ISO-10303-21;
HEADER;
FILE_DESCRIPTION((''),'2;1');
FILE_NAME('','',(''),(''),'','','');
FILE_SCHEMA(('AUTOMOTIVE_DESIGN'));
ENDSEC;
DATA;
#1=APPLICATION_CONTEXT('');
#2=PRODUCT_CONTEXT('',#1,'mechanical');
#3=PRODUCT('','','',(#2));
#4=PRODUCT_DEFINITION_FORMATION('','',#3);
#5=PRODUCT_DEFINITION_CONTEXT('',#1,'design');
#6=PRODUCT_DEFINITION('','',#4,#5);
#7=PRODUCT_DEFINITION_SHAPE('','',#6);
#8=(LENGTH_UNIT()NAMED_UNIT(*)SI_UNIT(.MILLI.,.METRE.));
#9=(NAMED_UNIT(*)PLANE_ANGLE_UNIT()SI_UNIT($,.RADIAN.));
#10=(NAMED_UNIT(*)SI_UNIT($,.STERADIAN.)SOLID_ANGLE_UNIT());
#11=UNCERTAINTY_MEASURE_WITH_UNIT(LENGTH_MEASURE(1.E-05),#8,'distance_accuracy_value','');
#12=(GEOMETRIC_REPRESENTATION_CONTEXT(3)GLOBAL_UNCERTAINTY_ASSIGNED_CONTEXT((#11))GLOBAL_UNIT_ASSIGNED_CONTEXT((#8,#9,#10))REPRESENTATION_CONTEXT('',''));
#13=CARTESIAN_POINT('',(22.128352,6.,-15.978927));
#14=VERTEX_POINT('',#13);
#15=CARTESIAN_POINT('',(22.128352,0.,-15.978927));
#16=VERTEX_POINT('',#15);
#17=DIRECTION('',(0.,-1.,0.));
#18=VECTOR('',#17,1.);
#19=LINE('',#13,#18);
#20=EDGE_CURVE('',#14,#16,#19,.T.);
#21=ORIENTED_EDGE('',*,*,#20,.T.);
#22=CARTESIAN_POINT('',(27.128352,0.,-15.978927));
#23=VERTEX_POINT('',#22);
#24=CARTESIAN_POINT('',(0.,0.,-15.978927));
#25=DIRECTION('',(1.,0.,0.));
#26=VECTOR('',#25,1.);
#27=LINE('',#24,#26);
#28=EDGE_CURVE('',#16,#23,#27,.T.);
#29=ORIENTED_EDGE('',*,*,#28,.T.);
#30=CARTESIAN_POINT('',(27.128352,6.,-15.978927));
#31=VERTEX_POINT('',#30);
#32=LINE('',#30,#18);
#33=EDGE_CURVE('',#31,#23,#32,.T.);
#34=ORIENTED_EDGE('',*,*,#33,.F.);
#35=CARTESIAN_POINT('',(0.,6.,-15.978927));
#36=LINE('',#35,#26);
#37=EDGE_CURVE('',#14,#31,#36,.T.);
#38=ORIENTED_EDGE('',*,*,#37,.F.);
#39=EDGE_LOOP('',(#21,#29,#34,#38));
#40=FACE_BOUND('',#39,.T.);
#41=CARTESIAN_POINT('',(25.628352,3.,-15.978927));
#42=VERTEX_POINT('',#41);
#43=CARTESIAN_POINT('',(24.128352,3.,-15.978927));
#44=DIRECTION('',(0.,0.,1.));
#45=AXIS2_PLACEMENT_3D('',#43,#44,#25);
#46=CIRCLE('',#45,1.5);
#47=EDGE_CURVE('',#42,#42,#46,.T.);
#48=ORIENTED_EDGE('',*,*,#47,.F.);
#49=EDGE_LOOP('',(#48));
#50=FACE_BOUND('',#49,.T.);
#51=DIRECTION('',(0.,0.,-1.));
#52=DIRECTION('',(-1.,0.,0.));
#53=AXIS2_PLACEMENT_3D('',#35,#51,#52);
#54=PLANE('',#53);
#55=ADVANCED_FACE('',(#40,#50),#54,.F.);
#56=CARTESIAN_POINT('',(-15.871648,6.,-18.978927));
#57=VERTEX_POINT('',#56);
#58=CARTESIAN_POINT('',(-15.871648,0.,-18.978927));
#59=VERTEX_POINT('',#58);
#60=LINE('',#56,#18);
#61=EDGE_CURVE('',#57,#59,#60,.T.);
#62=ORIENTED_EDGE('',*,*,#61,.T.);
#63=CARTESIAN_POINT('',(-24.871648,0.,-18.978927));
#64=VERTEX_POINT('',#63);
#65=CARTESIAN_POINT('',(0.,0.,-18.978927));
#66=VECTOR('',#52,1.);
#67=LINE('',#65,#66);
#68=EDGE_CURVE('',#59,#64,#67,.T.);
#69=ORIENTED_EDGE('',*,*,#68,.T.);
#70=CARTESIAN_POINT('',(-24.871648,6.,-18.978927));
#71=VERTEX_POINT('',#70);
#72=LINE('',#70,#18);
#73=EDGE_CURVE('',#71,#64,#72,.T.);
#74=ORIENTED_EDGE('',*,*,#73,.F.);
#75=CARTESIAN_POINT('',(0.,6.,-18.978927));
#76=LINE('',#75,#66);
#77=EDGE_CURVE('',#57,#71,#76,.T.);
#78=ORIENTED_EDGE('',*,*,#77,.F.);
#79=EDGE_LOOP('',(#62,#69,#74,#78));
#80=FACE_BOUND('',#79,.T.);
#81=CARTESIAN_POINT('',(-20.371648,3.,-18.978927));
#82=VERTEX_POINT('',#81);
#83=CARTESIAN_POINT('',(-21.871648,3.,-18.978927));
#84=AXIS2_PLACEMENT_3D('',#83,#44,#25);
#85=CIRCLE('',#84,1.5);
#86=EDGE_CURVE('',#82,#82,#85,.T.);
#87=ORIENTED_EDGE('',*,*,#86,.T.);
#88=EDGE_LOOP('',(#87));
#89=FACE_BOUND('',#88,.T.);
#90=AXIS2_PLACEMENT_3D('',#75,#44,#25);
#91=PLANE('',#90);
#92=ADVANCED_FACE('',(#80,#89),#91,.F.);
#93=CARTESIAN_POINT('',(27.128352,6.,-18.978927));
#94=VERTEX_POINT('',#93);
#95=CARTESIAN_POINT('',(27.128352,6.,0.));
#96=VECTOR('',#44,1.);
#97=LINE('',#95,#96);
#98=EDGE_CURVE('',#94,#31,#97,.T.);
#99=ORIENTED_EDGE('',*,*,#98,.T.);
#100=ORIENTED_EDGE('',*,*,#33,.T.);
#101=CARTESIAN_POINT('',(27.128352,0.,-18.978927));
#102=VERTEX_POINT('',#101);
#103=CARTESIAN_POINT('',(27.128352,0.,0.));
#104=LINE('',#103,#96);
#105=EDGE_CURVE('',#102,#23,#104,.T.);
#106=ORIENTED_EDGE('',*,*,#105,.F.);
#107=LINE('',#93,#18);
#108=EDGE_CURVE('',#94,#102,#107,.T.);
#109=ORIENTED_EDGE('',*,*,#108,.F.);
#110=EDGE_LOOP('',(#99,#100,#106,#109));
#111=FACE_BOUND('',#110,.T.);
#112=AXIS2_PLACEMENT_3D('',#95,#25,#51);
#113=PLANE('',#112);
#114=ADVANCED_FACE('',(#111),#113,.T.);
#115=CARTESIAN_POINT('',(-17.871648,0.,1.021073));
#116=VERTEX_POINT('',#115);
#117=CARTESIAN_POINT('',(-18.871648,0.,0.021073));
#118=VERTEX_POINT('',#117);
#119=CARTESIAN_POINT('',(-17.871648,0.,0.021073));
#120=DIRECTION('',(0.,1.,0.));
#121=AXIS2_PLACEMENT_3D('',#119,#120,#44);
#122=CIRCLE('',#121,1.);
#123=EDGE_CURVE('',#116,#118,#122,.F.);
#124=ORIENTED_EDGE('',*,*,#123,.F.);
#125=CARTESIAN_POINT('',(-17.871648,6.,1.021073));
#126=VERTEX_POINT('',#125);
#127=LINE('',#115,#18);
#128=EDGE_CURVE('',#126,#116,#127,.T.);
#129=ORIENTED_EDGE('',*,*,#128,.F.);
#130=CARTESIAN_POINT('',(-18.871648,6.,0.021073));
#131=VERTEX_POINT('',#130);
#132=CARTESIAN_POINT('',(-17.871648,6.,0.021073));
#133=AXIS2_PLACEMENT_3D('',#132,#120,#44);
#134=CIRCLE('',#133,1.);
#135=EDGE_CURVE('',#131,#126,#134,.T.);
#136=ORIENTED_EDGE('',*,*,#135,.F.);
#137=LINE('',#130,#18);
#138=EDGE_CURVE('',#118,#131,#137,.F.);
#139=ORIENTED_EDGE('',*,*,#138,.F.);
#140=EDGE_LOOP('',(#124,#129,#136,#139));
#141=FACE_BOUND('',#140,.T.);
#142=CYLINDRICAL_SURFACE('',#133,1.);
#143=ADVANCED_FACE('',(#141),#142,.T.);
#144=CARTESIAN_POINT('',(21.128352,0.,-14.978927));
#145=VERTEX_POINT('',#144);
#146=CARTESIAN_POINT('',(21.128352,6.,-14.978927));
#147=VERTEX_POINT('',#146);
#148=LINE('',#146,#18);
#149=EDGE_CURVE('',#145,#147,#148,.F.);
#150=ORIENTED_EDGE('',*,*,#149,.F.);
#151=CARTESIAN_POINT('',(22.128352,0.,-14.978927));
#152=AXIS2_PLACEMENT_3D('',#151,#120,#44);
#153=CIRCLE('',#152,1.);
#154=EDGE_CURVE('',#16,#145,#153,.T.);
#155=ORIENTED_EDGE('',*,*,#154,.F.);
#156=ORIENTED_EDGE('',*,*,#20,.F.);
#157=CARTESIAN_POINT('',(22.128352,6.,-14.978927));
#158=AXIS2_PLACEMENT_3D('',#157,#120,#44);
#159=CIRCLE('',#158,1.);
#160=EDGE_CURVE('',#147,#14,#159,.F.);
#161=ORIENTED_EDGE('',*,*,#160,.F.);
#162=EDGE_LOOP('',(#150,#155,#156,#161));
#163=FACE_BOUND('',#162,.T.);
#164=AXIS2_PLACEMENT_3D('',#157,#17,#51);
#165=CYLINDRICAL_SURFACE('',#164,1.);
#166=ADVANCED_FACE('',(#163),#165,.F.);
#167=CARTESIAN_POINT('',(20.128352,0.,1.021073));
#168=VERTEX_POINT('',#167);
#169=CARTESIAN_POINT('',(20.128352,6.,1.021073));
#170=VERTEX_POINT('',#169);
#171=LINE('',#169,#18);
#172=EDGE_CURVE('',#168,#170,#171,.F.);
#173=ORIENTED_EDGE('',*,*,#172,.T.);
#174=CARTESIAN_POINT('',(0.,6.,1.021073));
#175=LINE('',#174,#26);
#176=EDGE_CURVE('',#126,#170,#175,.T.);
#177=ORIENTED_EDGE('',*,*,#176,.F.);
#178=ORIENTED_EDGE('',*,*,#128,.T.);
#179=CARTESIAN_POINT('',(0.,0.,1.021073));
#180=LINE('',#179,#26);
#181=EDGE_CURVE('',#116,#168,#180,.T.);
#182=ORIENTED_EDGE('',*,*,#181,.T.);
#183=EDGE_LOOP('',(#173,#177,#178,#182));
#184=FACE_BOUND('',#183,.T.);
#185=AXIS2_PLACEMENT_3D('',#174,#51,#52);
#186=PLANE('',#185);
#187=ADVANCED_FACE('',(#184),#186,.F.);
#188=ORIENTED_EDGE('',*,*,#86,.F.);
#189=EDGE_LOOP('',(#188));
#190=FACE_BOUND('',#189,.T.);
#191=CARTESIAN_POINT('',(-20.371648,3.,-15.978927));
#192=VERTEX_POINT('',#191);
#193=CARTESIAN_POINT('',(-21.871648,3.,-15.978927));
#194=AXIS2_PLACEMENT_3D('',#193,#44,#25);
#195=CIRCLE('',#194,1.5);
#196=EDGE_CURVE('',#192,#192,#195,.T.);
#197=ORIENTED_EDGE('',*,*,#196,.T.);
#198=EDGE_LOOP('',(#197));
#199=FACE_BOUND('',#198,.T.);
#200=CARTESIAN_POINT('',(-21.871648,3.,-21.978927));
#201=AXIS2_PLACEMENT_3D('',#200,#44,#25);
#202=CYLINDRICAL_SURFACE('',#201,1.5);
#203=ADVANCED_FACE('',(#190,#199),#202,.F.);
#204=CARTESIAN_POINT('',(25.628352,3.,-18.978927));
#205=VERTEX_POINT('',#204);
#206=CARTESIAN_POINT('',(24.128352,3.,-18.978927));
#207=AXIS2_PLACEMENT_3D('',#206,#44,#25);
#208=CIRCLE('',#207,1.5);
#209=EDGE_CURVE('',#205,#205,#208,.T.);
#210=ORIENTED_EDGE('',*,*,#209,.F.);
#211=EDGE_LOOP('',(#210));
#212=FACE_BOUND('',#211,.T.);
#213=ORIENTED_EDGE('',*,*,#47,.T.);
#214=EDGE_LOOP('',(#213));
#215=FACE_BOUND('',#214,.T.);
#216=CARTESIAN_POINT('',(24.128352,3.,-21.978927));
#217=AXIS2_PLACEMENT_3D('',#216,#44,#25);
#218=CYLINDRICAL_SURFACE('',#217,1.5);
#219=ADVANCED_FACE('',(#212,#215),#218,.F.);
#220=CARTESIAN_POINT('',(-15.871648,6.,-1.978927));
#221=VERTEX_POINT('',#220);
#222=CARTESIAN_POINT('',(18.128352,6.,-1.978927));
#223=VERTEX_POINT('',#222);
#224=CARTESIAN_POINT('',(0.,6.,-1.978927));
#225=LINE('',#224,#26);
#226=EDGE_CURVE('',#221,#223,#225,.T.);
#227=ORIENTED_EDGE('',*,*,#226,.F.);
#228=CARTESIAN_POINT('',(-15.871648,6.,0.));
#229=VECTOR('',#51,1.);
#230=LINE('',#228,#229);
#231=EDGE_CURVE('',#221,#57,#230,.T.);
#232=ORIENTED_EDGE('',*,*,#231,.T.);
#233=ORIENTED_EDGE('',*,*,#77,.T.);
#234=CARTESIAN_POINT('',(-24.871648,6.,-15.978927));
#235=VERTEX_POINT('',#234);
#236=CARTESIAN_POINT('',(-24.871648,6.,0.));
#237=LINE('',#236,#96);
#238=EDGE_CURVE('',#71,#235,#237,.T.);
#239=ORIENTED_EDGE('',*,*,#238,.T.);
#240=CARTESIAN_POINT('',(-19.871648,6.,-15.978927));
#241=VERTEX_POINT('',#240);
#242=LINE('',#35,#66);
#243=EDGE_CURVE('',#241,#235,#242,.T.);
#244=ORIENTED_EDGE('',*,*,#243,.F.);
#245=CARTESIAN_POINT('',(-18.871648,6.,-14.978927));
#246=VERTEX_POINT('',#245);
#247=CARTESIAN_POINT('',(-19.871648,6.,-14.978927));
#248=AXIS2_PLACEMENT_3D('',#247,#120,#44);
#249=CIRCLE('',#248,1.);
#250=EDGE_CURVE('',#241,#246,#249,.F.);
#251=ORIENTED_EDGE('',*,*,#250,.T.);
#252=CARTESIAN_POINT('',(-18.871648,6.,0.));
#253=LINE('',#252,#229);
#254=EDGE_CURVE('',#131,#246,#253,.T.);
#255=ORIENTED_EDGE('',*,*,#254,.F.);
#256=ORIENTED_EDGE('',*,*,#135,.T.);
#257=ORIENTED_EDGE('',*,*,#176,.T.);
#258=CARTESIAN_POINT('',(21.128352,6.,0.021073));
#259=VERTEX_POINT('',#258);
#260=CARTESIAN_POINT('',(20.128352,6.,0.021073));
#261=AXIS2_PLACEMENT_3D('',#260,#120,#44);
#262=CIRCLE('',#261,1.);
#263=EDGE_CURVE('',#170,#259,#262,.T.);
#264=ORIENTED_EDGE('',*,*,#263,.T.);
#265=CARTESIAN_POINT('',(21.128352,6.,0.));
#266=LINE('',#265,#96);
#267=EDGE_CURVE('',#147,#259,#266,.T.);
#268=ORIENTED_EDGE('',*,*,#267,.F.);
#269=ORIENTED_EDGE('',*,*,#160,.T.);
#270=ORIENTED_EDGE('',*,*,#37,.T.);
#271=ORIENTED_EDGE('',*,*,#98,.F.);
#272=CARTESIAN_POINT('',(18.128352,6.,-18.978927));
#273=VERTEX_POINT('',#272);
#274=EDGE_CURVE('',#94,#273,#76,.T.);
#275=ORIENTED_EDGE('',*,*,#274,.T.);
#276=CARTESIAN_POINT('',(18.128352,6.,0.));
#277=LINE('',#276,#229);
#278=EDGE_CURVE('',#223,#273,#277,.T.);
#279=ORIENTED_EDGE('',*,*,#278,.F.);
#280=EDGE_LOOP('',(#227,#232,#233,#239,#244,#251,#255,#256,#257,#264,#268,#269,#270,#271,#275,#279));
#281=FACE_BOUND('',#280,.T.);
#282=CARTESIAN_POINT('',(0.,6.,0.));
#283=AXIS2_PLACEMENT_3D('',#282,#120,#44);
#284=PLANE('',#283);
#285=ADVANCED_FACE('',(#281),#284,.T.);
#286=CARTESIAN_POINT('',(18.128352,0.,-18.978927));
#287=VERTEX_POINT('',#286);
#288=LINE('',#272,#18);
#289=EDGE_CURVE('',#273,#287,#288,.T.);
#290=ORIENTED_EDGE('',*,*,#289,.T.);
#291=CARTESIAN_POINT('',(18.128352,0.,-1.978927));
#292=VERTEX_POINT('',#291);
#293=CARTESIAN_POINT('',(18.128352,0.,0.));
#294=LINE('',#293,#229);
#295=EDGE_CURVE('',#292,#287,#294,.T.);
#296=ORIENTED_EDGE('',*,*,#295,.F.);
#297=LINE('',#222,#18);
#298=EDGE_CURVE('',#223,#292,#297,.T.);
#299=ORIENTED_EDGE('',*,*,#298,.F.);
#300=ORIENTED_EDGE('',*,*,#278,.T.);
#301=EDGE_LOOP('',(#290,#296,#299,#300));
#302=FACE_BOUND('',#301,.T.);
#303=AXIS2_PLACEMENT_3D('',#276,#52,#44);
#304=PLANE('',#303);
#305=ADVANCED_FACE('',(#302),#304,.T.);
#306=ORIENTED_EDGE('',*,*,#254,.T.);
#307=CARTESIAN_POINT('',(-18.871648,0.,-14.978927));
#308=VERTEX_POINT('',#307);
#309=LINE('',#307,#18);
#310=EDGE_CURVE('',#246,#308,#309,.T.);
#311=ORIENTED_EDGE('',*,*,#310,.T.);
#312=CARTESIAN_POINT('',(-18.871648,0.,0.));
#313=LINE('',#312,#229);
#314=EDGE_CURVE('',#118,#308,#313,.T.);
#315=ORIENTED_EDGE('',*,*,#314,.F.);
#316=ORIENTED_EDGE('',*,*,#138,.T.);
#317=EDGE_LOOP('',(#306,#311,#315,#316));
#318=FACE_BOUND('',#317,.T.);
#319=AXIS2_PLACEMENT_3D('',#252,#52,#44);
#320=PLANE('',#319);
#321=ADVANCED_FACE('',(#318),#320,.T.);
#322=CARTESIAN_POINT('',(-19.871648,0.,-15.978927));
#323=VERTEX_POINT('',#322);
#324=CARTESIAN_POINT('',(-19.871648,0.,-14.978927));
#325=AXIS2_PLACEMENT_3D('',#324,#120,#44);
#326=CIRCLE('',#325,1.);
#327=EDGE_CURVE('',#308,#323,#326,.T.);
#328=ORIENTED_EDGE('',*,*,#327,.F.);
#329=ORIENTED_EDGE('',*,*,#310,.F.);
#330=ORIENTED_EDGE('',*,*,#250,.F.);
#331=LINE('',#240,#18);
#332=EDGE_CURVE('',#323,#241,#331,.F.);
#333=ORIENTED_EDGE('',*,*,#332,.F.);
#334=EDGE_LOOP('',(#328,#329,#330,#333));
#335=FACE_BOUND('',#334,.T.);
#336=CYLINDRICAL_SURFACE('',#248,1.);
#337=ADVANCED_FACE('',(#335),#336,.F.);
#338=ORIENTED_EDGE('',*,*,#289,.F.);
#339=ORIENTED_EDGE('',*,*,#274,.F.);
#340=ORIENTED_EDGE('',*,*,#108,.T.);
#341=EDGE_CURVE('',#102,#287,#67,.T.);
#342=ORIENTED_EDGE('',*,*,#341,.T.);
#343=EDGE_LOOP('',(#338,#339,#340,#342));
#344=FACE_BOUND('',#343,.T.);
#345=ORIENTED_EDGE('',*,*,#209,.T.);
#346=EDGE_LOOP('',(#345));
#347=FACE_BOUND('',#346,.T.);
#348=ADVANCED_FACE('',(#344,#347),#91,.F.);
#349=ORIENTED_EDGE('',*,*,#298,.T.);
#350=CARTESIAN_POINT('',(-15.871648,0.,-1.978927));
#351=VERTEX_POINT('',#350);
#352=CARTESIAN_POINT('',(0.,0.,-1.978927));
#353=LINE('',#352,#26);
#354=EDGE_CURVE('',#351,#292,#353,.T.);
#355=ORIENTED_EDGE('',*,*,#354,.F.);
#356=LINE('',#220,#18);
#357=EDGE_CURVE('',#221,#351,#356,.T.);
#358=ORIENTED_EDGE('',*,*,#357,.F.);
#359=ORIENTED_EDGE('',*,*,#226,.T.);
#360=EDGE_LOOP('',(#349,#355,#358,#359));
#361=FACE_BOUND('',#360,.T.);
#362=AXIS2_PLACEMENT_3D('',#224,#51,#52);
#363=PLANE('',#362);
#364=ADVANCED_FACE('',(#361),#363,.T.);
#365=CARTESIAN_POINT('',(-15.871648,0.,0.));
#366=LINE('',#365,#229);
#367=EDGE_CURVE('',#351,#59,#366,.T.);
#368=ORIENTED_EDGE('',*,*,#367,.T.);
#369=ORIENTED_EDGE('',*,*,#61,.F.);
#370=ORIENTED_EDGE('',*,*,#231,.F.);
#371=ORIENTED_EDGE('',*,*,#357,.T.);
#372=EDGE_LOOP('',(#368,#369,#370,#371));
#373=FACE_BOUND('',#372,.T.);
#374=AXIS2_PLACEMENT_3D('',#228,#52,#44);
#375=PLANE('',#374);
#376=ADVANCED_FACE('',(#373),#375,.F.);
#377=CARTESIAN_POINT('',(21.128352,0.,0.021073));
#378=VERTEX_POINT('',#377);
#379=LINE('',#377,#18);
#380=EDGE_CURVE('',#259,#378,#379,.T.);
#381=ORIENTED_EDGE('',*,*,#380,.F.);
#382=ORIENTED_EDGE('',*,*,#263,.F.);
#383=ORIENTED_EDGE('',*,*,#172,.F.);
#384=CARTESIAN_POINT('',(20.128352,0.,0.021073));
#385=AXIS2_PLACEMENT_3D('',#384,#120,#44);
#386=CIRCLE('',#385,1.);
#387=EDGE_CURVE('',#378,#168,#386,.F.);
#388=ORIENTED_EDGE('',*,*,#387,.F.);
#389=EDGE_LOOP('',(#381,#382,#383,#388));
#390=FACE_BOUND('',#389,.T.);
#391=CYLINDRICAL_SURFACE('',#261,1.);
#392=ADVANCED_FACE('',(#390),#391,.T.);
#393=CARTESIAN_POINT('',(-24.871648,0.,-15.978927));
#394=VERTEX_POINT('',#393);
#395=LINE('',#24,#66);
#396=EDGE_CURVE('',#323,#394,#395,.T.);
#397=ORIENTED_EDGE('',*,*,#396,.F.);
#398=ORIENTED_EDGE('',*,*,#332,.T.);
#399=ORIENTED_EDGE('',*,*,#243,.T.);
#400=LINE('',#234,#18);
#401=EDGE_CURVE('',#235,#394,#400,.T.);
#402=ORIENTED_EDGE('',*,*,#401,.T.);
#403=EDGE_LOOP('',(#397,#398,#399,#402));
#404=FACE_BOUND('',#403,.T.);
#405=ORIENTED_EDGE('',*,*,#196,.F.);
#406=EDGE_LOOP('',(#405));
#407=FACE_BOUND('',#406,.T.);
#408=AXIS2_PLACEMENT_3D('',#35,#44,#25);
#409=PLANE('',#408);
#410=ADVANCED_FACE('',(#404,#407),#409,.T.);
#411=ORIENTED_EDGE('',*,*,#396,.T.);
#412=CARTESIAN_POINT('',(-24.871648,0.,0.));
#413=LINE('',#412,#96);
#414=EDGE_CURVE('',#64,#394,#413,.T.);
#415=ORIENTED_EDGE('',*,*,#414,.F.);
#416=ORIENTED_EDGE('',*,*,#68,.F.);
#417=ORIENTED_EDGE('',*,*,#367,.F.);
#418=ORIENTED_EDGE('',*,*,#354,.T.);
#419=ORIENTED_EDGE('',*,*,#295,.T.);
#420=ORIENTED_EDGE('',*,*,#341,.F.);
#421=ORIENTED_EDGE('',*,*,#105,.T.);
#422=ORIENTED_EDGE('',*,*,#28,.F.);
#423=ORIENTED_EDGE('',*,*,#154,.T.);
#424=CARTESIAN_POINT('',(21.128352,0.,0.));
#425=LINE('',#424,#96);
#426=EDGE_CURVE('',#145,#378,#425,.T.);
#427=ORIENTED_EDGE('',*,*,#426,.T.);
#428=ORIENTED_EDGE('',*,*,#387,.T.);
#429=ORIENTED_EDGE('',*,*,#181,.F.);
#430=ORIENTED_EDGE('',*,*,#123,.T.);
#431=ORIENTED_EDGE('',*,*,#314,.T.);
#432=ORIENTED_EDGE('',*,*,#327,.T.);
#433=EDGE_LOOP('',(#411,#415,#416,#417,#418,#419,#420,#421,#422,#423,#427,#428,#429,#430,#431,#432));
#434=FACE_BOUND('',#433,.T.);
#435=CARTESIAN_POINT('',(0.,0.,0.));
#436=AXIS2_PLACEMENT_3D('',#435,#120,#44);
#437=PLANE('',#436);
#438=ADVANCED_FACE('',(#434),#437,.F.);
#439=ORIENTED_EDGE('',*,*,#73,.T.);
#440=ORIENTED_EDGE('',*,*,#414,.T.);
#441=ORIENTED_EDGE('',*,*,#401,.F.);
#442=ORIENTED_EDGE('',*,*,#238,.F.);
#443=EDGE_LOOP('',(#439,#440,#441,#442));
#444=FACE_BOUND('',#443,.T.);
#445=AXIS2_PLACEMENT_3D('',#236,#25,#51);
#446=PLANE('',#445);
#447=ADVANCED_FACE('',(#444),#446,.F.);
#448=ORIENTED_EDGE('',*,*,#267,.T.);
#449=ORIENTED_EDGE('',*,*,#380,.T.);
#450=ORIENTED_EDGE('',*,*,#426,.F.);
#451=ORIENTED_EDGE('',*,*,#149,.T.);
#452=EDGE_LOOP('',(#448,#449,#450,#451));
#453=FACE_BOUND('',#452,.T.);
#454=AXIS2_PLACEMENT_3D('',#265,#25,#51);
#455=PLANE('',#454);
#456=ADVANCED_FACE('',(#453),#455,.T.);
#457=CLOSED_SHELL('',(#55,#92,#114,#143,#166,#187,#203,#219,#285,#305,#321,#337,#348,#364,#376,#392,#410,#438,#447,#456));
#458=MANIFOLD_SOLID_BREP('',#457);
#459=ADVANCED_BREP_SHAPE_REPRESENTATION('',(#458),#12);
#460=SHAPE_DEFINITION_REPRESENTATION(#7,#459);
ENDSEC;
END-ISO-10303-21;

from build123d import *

# Parameters (mm, degrees)
SKETCH1_W           = 6
SKETCH1_H           = 3
SKETCH1_W_2         = 40
BOSS_EXTRUDE1_DEPTH = 6
SKETCH2_R           = 1.5
CUT_EXTRUDE1_DEPTH  = 6
FILLET1_R           = 1
FILLET2_R           = 1
FILLET3_R           = 1
FILLET4_R           = 1


with BuildPart() as part:
    # Sketch1 → Boss-Extrude1 (new body)
    with BuildSketch(Plane(origin=(0, 0, 0), x_dir=(1, 0, 0), z_dir=(0, 1, 0))):
        with Locations((-21.87164751, 17.478927203)):
            Rectangle(SKETCH1_W, SKETCH1_H)
        Polygon((-18.87164751, 15.978927203), (-18.87164751, 1.978927203), (-15.87164751, 1.978927203), (-15.87164751, 18.978927203), (-18.87164751, 18.978927203), align=None)
        with Locations((1.12835249, 0.478927203)):
            Rectangle(SKETCH1_W_2, SKETCH1_H)
        Polygon((18.12835249, 18.978927203), (18.12835249, 1.978927203), (21.12835249, 1.978927203), (21.12835249, 15.978927203), (21.12835249, 18.978927203), align=None)
        with Locations((24.12835249, 17.478927203)):
            Rectangle(SKETCH1_W, SKETCH1_H)
    extrude(amount=BOSS_EXTRUDE1_DEPTH)

    # Sketch2 → Cut-Extrude1 (cut)
    with BuildSketch(Plane.XY.offset(-15.978927203)):
        with Locations((-21.87164751, 3)):
            Circle(SKETCH2_R)
        with Locations((24.12835249, 3)):
            Circle(SKETCH2_R)
    extrude(amount=-CUT_EXTRUDE1_DEPTH, mode=Mode.SUBTRACT)

    # Fillet1
    fillet1_edges = [part.edges().sort_by_distance(p)[0] for p in [
        (-18.87164751, 3, -15.978927203),
    ]]
    fillet(fillet1_edges, radius=FILLET1_R)

    # Fillet2
    fillet2_edges = [part.edges().sort_by_distance(p)[0] for p in [
        (21.12835249, 3, -15.978927203),
    ]]
    fillet(fillet2_edges, radius=FILLET2_R)

    # Fillet3
    fillet3_edges = [part.edges().sort_by_distance(p)[0] for p in [
        (21.12835249, 3, 1.021072797),
    ]]
    fillet(fillet3_edges, radius=FILLET3_R)

    # Fillet4
    fillet4_edges = [part.edges().sort_by_distance(p)[0] for p in [
        (-18.87164751, 3, 1.021072797),
    ]]
    fillet(fillet4_edges, radius=FILLET4_R)


solid = part.part
